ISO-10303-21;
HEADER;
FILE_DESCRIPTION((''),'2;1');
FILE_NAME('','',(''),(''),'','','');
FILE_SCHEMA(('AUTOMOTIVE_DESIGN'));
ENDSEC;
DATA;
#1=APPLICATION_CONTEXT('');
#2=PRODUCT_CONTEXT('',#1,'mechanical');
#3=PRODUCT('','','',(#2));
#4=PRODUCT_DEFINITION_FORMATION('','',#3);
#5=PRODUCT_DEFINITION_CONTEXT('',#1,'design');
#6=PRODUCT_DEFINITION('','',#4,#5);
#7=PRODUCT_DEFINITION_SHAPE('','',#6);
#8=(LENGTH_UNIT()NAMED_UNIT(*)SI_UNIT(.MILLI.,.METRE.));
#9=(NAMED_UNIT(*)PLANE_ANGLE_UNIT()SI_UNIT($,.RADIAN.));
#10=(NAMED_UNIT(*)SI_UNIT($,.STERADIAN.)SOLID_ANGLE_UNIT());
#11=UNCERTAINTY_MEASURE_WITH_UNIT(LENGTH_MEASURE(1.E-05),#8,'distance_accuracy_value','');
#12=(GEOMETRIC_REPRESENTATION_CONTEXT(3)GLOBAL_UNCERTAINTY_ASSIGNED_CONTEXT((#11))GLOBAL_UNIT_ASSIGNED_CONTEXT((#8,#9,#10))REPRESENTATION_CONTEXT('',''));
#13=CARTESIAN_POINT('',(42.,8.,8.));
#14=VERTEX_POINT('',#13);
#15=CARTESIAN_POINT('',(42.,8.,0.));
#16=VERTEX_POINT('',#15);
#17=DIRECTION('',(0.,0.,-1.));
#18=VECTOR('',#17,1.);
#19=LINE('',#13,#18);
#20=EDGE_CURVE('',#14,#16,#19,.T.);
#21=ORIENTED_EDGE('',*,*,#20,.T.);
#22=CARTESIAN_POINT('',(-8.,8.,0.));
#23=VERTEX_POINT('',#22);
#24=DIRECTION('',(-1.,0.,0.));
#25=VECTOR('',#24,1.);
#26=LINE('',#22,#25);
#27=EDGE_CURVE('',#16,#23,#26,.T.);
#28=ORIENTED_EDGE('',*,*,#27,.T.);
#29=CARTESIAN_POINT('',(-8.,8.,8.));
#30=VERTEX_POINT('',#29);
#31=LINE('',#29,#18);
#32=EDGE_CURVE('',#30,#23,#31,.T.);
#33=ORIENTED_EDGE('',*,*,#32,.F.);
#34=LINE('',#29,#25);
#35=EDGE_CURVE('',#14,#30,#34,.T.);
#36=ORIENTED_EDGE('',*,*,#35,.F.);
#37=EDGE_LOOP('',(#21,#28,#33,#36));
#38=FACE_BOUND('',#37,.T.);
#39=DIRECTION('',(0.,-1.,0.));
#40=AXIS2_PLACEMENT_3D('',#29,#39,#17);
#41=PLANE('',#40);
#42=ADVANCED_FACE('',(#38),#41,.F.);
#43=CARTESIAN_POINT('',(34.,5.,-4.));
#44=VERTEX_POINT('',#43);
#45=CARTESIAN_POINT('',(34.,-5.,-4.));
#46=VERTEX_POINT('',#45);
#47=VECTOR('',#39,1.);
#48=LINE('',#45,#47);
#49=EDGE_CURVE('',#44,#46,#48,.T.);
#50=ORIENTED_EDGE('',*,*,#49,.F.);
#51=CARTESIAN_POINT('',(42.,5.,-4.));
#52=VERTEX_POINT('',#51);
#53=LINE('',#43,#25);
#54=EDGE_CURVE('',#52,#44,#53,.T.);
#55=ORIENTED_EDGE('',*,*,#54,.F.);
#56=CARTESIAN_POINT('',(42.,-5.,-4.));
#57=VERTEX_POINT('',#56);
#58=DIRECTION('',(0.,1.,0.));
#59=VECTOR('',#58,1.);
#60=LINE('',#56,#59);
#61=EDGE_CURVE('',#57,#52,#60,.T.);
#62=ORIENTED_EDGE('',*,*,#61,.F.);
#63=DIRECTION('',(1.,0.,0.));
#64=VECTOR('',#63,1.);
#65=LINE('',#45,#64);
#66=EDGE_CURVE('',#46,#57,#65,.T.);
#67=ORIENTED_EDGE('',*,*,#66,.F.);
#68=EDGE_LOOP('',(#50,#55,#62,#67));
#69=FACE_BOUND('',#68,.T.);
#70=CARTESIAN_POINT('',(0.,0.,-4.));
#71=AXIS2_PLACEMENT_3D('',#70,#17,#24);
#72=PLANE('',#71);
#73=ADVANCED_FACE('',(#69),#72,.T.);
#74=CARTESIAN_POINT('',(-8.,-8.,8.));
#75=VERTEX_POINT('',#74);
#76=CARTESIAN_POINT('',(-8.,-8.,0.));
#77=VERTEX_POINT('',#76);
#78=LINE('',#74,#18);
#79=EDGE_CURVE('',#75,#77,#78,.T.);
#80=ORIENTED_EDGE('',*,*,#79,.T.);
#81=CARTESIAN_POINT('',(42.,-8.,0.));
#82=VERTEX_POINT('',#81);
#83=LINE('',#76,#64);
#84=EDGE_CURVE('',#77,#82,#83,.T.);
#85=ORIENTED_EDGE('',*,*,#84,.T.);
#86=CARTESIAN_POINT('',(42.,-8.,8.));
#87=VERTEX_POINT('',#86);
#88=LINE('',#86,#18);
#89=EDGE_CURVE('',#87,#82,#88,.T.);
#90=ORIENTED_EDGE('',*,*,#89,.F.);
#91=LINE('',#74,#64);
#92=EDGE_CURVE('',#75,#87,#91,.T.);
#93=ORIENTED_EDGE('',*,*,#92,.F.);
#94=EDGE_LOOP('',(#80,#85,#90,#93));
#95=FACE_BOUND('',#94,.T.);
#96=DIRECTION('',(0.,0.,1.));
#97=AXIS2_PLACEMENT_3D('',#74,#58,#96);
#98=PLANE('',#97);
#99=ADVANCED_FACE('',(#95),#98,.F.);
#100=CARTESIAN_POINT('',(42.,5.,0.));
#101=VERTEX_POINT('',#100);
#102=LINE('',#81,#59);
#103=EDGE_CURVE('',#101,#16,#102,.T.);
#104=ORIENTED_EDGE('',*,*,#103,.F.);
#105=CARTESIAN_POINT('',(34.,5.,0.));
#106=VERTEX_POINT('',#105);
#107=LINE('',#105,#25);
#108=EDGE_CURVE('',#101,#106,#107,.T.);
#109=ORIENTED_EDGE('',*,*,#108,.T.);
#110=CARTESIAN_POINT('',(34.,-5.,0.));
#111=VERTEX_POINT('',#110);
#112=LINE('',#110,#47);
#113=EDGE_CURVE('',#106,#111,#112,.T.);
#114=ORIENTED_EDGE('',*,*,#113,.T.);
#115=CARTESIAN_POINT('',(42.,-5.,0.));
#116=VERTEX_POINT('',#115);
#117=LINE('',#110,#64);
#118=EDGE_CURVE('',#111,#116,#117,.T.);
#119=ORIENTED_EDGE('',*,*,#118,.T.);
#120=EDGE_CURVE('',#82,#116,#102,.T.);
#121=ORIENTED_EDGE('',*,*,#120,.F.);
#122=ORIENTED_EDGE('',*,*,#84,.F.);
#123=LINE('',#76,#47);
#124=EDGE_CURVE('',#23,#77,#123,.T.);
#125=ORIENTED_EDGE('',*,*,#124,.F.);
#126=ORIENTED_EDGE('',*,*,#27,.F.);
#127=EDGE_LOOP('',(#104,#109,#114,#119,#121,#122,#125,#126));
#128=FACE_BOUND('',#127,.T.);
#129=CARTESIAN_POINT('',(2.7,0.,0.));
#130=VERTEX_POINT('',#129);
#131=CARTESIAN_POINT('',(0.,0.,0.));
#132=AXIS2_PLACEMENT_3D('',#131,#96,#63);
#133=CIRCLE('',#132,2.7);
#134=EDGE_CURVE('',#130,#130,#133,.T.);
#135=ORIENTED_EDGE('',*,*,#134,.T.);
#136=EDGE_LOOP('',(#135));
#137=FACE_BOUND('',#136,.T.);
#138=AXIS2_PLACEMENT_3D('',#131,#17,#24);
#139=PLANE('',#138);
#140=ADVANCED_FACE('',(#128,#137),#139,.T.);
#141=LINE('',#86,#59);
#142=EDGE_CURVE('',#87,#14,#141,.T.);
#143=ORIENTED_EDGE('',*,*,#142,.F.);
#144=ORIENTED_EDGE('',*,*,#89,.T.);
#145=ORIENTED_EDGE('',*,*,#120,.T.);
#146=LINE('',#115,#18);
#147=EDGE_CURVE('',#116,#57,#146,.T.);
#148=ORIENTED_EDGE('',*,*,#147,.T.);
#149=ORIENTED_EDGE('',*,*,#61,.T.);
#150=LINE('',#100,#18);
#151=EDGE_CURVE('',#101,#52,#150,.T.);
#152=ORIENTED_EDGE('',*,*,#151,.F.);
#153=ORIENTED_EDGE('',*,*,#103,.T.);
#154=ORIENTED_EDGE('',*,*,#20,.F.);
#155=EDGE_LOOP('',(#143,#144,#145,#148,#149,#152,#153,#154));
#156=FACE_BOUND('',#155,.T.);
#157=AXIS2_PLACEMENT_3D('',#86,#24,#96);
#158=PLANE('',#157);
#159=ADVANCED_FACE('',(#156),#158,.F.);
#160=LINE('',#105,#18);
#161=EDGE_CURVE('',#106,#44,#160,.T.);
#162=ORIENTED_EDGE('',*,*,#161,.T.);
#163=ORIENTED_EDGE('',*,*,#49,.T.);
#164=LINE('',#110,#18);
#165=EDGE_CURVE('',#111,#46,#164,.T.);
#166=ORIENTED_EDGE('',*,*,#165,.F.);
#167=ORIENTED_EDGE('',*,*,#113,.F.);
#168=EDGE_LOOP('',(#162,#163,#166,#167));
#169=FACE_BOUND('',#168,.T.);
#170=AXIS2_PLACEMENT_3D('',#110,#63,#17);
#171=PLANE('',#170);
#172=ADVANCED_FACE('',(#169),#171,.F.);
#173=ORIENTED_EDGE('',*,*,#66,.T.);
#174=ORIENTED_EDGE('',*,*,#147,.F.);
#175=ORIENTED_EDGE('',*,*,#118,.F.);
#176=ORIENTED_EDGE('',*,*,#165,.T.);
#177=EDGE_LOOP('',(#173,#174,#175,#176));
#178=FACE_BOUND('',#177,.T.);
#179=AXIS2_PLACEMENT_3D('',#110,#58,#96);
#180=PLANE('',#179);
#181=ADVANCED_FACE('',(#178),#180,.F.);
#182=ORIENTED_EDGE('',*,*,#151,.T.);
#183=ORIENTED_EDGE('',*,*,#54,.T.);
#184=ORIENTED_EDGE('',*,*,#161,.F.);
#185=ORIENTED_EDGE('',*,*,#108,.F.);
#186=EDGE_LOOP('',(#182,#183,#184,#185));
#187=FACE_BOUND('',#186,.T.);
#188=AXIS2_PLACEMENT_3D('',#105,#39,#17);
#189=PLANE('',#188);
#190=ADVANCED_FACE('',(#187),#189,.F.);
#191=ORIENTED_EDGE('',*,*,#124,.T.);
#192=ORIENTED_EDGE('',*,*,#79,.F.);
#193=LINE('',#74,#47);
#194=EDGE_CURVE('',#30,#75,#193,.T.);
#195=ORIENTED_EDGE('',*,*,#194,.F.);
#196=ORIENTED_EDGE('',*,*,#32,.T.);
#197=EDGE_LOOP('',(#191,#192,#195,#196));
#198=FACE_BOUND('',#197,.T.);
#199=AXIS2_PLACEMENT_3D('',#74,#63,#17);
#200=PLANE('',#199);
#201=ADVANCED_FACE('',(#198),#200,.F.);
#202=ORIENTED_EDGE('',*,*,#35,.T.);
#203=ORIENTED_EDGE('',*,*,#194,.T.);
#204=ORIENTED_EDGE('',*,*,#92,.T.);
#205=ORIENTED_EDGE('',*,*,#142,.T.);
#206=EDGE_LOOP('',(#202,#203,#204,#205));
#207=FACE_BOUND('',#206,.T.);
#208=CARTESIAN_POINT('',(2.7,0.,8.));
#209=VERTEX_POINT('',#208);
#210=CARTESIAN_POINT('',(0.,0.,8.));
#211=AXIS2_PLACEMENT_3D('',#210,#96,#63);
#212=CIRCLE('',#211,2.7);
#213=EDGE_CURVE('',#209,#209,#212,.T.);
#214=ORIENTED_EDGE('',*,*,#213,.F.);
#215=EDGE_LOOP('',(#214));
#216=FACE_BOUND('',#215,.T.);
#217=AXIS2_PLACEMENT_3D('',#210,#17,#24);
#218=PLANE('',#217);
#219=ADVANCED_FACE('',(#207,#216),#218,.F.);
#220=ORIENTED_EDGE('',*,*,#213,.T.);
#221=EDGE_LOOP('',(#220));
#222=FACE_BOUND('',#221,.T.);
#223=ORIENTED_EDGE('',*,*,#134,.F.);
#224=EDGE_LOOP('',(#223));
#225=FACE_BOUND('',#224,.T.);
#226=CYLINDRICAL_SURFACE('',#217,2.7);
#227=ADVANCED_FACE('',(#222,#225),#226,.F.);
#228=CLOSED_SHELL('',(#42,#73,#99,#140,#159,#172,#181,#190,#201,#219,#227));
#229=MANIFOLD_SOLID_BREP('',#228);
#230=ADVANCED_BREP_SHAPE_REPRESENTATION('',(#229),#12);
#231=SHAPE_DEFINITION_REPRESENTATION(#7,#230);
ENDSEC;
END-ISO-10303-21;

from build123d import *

# Parameters (mm, degrees)
SKETCH2_W                  = 50
SKETCH2_H                  = 16
CLAMP_ARM_DEPTH            = 8
SKETCH3_R                  = 2.7
PIVOT_BOLT_CLEARANCE_DEPTH = 8
CONTACT_NOSE_START         = -4
SKETCH4_W                  = 8
SKETCH4_H                  = 10
CONTACT_NOSE_DEPTH         = 4


with BuildPart() as part:
    # Sketch2 → Clamp_arm (new body)
    with BuildSketch(Plane.XY):
        with Locations((17, 0)):
            Rectangle(SKETCH2_W, SKETCH2_H)
    extrude(amount=CLAMP_ARM_DEPTH)

    # Sketch3 → Pivot_bolt_clearance (cut)
    with BuildSketch(Plane.XY):
        Circle(SKETCH3_R)
    extrude(amount=PIVOT_BOLT_CLEARANCE_DEPTH, mode=Mode.SUBTRACT)

    # Sketch4 → Contact_nose (add)
    with BuildSketch(Plane.XY.offset(CONTACT_NOSE_START)):
        with Locations((38, 0)):
            Rectangle(SKETCH4_W, SKETCH4_H)
    extrude(amount=CONTACT_NOSE_DEPTH)


solid = part.part
